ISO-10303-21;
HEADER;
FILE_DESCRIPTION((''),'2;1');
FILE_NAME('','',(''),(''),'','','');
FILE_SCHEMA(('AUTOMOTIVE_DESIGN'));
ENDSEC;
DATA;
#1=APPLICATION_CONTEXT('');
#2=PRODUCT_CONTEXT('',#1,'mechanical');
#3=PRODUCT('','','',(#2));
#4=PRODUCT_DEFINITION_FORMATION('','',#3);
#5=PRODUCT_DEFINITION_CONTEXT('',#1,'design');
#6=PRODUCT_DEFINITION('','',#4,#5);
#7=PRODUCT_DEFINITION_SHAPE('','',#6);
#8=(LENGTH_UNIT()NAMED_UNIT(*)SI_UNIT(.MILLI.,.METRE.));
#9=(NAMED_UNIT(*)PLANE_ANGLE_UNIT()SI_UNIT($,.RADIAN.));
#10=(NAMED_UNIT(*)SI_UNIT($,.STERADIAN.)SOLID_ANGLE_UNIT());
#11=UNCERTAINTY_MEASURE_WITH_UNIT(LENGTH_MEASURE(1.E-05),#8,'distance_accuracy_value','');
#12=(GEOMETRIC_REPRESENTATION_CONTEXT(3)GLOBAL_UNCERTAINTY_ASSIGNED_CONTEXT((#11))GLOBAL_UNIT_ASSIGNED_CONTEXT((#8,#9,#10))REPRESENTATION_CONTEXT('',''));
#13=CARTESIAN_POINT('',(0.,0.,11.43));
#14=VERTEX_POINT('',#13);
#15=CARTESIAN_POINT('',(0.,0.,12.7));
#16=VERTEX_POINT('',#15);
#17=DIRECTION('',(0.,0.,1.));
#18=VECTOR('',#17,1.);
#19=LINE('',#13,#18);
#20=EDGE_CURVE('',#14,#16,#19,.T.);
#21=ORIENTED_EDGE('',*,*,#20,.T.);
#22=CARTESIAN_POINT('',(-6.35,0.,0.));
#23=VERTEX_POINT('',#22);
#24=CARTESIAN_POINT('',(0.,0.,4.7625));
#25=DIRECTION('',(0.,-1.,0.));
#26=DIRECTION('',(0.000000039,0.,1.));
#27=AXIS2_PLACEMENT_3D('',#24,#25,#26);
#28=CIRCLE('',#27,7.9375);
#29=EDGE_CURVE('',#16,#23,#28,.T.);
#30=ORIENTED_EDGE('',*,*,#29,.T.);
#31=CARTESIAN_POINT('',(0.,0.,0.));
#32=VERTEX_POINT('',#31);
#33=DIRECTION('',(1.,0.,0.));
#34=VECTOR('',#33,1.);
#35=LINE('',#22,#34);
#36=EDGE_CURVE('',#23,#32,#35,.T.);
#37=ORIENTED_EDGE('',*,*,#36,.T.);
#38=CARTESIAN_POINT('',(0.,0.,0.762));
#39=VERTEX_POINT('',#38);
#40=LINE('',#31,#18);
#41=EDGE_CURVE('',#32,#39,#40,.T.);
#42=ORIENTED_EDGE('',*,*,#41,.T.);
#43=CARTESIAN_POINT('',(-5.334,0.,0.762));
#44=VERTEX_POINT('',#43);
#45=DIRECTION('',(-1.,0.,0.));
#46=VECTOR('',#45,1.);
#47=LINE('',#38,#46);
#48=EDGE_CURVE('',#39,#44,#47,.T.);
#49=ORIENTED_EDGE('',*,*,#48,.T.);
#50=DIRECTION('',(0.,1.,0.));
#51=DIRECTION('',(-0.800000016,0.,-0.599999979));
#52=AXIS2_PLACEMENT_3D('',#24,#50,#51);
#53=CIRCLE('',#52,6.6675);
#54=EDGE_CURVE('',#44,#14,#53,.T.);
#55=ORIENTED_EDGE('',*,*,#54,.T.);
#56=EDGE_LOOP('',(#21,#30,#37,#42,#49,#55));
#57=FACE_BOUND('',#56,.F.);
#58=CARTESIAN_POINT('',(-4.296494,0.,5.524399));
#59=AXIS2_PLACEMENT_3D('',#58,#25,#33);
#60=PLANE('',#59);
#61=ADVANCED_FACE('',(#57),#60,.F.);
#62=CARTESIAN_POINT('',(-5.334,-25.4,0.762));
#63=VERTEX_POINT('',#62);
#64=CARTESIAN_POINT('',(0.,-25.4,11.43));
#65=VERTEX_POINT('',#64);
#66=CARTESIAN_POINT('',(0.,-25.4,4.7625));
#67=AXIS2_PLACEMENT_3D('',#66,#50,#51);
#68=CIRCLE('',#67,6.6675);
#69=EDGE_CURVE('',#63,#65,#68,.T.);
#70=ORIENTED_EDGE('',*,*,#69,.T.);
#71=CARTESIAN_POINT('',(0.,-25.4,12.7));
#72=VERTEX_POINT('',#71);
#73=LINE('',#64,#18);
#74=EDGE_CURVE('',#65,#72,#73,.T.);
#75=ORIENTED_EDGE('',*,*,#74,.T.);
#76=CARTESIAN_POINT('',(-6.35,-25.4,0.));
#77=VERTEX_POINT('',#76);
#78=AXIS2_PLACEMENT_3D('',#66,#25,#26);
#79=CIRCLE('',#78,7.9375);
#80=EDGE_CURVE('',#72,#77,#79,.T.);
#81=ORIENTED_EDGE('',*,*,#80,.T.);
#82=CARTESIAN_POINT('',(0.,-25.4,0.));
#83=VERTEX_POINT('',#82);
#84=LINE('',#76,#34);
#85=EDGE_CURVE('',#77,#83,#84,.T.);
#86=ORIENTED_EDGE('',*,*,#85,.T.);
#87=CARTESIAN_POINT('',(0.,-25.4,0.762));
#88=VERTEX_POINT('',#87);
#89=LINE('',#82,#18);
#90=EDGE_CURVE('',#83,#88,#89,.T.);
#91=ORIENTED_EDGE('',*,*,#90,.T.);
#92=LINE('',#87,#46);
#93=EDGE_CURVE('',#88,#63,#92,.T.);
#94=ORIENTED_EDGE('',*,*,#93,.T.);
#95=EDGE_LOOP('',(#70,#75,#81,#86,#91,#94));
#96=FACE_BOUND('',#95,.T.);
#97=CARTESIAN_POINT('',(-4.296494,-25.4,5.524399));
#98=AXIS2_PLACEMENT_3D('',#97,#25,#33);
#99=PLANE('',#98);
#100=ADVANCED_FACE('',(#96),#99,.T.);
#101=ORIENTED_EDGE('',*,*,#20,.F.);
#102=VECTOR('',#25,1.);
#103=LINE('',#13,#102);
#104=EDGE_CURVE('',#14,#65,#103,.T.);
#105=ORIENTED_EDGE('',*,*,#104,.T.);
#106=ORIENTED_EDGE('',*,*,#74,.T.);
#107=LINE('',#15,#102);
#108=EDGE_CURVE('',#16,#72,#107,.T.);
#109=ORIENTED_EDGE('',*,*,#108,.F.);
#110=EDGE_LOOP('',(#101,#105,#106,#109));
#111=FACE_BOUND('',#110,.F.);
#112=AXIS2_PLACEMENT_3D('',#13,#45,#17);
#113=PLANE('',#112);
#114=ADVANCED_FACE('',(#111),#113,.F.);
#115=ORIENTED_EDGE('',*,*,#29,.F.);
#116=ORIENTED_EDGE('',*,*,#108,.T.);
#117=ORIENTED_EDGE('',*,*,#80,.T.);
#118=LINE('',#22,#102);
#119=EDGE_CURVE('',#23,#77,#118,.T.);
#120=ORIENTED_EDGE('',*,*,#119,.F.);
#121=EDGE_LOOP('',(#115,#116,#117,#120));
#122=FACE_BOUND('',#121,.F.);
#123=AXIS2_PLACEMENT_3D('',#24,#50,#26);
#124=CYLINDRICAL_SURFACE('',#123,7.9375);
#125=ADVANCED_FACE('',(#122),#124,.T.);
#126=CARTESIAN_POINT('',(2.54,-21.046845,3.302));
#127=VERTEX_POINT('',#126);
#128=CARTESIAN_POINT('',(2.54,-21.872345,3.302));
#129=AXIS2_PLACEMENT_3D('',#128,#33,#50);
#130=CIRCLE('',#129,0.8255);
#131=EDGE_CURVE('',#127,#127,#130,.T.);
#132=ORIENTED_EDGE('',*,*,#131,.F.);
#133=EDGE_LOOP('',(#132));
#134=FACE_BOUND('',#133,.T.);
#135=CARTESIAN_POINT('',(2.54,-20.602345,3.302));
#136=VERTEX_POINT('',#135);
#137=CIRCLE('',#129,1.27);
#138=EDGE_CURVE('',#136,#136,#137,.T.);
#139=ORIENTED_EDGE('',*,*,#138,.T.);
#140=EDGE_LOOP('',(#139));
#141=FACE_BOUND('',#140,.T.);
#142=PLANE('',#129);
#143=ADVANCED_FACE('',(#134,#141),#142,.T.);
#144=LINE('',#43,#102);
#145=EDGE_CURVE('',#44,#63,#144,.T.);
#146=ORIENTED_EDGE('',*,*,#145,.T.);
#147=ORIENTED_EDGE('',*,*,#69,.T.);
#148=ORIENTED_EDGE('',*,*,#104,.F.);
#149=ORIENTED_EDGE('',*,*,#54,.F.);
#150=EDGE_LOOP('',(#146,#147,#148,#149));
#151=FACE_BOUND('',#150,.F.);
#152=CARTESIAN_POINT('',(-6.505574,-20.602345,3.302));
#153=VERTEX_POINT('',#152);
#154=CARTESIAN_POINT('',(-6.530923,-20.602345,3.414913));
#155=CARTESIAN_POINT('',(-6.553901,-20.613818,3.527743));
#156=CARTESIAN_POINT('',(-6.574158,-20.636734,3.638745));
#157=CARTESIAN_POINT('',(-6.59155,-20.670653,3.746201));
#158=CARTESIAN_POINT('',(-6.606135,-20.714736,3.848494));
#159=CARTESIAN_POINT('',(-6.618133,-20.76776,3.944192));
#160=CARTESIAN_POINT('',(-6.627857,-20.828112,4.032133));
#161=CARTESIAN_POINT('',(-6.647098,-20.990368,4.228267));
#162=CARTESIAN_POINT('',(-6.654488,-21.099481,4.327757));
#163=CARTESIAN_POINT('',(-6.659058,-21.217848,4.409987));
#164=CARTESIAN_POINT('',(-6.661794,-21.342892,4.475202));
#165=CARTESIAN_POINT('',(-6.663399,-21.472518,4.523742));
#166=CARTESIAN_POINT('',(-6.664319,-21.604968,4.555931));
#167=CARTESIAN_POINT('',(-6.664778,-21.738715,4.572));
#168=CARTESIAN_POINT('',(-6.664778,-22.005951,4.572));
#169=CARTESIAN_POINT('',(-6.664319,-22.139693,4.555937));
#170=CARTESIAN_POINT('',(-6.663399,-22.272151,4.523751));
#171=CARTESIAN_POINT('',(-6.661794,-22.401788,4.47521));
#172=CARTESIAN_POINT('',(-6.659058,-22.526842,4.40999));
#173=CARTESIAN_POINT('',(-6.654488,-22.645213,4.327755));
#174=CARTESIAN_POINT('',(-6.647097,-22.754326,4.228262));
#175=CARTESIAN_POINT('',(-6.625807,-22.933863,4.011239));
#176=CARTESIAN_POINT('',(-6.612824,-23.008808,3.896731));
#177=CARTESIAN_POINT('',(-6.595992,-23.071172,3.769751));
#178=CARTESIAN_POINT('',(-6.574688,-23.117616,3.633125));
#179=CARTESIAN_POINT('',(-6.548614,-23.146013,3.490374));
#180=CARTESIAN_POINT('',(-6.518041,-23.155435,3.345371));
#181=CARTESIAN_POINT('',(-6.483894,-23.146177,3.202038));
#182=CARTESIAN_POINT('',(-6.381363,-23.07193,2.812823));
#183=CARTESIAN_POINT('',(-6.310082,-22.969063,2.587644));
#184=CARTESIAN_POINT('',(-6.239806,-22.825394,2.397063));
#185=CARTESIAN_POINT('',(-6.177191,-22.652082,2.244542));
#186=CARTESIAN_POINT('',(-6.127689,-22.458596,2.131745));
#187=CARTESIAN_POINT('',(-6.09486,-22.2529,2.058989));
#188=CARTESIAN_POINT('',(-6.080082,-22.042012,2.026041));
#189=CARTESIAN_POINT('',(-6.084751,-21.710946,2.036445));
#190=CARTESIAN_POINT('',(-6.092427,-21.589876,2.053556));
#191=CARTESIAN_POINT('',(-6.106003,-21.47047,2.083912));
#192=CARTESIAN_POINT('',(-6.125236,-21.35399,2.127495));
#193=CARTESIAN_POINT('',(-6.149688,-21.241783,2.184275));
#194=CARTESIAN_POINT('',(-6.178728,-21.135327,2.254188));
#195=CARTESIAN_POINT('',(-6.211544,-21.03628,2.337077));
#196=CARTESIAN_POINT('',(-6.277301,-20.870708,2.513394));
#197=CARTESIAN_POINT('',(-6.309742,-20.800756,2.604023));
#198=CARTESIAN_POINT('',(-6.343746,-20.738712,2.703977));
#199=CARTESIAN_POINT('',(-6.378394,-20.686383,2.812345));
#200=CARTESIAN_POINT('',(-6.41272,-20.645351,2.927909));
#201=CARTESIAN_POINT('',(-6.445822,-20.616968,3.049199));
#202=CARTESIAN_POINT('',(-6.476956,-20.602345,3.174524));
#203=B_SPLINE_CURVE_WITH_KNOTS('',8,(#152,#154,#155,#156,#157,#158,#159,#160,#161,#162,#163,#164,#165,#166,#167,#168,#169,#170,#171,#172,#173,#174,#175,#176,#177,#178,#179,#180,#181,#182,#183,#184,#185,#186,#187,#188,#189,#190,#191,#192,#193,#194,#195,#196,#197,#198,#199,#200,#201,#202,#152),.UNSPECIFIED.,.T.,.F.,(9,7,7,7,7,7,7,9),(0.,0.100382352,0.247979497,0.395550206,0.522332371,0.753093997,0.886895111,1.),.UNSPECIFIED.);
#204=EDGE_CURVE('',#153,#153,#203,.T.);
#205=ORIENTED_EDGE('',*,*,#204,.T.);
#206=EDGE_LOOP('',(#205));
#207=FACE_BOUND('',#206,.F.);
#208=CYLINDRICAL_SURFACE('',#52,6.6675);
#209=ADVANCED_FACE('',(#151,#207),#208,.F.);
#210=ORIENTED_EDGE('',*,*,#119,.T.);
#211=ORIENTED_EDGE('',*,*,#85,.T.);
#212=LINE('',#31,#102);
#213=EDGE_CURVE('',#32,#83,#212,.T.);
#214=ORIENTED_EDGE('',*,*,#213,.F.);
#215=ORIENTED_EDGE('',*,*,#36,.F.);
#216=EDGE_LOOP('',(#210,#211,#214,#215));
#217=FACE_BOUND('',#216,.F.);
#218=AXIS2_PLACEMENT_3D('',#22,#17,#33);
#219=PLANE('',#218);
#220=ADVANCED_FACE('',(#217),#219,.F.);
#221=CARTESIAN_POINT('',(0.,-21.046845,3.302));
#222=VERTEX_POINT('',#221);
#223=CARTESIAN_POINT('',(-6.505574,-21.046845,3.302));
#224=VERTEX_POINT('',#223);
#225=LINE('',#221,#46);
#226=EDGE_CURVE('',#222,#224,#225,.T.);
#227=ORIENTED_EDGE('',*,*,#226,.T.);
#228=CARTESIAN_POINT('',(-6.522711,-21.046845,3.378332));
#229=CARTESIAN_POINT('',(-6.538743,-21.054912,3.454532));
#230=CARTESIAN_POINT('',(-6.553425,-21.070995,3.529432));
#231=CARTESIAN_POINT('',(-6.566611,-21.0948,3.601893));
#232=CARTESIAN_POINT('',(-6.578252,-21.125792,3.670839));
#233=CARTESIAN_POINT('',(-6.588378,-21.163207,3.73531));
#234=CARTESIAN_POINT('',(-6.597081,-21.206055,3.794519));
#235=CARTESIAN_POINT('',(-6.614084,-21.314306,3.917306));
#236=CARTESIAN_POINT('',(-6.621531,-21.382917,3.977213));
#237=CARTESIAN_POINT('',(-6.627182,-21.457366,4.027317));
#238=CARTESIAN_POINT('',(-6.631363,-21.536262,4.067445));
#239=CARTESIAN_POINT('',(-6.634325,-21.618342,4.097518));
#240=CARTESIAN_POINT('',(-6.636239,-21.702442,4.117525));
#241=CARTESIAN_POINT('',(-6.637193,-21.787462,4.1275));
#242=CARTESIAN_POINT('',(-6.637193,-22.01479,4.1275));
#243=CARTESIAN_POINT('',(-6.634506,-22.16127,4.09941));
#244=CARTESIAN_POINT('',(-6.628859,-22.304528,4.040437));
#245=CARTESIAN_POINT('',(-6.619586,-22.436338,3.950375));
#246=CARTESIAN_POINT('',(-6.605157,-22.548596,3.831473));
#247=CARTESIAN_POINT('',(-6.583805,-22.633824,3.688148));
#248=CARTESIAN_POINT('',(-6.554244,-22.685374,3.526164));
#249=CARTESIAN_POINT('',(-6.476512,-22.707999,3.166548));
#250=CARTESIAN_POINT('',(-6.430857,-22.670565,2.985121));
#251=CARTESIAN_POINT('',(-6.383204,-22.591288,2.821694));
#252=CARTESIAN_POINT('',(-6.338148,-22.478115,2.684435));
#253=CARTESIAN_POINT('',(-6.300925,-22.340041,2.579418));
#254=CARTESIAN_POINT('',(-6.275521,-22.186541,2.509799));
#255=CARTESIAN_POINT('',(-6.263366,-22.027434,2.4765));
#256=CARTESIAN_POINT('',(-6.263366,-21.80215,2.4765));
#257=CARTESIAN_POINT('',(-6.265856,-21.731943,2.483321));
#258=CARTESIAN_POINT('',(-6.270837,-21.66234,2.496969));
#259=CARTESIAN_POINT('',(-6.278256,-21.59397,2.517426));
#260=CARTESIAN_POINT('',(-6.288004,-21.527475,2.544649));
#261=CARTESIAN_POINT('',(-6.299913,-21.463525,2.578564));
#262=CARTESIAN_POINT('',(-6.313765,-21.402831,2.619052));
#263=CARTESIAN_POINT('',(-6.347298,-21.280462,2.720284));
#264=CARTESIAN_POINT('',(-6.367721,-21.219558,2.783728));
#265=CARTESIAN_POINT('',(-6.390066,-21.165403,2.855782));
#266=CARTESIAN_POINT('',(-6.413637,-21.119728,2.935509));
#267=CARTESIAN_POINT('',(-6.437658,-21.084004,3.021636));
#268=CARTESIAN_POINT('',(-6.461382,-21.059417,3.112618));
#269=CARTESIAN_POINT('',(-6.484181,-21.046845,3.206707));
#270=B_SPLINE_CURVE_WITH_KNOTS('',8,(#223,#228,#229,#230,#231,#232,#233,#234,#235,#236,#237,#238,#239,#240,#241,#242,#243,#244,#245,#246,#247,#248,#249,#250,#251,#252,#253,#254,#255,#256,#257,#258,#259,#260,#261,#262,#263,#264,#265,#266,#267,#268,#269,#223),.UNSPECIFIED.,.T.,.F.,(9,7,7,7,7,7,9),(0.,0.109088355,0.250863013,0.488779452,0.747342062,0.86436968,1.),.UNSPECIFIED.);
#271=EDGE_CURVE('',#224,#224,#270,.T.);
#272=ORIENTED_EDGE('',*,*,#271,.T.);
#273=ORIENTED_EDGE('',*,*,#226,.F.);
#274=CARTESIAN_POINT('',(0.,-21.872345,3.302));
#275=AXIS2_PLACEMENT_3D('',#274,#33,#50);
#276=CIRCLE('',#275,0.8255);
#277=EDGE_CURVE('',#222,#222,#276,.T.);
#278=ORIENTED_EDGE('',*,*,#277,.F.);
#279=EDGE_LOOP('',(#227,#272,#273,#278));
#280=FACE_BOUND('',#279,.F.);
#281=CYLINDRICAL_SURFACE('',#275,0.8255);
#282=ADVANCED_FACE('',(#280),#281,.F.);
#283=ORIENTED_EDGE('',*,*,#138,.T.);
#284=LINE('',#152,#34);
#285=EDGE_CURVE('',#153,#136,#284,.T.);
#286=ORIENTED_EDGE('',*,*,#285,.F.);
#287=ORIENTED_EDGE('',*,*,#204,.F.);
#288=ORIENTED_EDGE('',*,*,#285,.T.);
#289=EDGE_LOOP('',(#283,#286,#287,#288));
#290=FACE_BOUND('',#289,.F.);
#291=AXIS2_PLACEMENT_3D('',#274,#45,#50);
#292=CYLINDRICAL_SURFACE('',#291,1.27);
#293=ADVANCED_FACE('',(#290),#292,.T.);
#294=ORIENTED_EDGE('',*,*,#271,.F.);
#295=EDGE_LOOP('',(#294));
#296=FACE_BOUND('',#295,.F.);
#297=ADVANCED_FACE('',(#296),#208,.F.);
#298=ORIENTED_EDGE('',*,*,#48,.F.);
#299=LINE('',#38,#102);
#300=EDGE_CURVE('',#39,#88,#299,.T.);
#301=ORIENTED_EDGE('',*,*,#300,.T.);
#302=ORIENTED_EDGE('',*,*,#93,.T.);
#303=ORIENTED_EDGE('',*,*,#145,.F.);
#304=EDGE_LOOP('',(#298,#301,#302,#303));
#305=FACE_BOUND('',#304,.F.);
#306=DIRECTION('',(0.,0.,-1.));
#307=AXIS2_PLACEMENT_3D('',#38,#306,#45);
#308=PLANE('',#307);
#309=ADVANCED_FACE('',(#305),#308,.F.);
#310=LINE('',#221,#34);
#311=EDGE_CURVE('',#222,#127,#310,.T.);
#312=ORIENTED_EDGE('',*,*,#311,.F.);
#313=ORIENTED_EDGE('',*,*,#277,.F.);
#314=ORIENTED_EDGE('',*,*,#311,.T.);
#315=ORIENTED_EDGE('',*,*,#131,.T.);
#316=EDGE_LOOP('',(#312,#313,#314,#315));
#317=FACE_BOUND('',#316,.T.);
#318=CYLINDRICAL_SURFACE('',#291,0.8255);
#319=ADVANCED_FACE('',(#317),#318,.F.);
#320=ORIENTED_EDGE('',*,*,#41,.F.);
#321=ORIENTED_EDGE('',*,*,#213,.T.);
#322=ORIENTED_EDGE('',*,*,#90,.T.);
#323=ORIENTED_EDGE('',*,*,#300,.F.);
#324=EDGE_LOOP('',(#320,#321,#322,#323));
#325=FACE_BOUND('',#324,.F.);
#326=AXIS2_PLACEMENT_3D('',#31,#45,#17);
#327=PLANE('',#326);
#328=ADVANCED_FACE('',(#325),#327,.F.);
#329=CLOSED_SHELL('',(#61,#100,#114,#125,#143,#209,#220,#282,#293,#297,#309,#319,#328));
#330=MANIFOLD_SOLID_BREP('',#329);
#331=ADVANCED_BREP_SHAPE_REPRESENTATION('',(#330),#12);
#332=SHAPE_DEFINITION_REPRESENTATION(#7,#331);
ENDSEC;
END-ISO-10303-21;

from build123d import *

# Parameters (mm, degrees)
F1_DEPTH    = 25.4
F2_R        = 1.27
F2_R_2      = 0.8255
F3_DEPTH    = 7.112
F3_FACE_R   = 1.27
F3_FACE_R_2 = 0.8255
F4_DEPTH    = 2.54


with BuildPart() as f1:
    # F0 (on Front) → F1 (new body)
    with BuildSketch(Plane.XZ):
        with BuildLine():
            Line((-6.35, 0), (0, 0))
            Line((0, 0), (0, 0.762))
            Line((0, 0.762), (-5.334, 0.762))
            ThreePointArc((-5.334, 0.762), (-5.963593, 7.744297), (0, 11.43))
            Line((0, 11.43), (0, 12.7))
            ThreePointArc((0, 12.7), (-7.099516, 8.312258), (-6.35, 0))
        make_face()
    extrude(amount=F1_DEPTH)

    # F2 (on Right) → F3 (join)
    with BuildSketch(Plane.YZ):
        with Locations((-21.872345, 3.302)):
            Circle(F2_R)
        with Locations((-21.872345, 3.302)):
            Circle(F2_R_2, mode=Mode.SUBTRACT)
    extrude(amount=-F3_DEPTH)

    # F3_face (on face) → F4 (join)
    with BuildSketch(Plane(origin=(0, -21.872345, 3.302), x_dir=(0, 1, 0), z_dir=(1, 0, 0))):
        Circle(F3_FACE_R)
        Circle(F3_FACE_R_2, mode=Mode.SUBTRACT)
    extrude(amount=F4_DEPTH)


solid = f1.part
